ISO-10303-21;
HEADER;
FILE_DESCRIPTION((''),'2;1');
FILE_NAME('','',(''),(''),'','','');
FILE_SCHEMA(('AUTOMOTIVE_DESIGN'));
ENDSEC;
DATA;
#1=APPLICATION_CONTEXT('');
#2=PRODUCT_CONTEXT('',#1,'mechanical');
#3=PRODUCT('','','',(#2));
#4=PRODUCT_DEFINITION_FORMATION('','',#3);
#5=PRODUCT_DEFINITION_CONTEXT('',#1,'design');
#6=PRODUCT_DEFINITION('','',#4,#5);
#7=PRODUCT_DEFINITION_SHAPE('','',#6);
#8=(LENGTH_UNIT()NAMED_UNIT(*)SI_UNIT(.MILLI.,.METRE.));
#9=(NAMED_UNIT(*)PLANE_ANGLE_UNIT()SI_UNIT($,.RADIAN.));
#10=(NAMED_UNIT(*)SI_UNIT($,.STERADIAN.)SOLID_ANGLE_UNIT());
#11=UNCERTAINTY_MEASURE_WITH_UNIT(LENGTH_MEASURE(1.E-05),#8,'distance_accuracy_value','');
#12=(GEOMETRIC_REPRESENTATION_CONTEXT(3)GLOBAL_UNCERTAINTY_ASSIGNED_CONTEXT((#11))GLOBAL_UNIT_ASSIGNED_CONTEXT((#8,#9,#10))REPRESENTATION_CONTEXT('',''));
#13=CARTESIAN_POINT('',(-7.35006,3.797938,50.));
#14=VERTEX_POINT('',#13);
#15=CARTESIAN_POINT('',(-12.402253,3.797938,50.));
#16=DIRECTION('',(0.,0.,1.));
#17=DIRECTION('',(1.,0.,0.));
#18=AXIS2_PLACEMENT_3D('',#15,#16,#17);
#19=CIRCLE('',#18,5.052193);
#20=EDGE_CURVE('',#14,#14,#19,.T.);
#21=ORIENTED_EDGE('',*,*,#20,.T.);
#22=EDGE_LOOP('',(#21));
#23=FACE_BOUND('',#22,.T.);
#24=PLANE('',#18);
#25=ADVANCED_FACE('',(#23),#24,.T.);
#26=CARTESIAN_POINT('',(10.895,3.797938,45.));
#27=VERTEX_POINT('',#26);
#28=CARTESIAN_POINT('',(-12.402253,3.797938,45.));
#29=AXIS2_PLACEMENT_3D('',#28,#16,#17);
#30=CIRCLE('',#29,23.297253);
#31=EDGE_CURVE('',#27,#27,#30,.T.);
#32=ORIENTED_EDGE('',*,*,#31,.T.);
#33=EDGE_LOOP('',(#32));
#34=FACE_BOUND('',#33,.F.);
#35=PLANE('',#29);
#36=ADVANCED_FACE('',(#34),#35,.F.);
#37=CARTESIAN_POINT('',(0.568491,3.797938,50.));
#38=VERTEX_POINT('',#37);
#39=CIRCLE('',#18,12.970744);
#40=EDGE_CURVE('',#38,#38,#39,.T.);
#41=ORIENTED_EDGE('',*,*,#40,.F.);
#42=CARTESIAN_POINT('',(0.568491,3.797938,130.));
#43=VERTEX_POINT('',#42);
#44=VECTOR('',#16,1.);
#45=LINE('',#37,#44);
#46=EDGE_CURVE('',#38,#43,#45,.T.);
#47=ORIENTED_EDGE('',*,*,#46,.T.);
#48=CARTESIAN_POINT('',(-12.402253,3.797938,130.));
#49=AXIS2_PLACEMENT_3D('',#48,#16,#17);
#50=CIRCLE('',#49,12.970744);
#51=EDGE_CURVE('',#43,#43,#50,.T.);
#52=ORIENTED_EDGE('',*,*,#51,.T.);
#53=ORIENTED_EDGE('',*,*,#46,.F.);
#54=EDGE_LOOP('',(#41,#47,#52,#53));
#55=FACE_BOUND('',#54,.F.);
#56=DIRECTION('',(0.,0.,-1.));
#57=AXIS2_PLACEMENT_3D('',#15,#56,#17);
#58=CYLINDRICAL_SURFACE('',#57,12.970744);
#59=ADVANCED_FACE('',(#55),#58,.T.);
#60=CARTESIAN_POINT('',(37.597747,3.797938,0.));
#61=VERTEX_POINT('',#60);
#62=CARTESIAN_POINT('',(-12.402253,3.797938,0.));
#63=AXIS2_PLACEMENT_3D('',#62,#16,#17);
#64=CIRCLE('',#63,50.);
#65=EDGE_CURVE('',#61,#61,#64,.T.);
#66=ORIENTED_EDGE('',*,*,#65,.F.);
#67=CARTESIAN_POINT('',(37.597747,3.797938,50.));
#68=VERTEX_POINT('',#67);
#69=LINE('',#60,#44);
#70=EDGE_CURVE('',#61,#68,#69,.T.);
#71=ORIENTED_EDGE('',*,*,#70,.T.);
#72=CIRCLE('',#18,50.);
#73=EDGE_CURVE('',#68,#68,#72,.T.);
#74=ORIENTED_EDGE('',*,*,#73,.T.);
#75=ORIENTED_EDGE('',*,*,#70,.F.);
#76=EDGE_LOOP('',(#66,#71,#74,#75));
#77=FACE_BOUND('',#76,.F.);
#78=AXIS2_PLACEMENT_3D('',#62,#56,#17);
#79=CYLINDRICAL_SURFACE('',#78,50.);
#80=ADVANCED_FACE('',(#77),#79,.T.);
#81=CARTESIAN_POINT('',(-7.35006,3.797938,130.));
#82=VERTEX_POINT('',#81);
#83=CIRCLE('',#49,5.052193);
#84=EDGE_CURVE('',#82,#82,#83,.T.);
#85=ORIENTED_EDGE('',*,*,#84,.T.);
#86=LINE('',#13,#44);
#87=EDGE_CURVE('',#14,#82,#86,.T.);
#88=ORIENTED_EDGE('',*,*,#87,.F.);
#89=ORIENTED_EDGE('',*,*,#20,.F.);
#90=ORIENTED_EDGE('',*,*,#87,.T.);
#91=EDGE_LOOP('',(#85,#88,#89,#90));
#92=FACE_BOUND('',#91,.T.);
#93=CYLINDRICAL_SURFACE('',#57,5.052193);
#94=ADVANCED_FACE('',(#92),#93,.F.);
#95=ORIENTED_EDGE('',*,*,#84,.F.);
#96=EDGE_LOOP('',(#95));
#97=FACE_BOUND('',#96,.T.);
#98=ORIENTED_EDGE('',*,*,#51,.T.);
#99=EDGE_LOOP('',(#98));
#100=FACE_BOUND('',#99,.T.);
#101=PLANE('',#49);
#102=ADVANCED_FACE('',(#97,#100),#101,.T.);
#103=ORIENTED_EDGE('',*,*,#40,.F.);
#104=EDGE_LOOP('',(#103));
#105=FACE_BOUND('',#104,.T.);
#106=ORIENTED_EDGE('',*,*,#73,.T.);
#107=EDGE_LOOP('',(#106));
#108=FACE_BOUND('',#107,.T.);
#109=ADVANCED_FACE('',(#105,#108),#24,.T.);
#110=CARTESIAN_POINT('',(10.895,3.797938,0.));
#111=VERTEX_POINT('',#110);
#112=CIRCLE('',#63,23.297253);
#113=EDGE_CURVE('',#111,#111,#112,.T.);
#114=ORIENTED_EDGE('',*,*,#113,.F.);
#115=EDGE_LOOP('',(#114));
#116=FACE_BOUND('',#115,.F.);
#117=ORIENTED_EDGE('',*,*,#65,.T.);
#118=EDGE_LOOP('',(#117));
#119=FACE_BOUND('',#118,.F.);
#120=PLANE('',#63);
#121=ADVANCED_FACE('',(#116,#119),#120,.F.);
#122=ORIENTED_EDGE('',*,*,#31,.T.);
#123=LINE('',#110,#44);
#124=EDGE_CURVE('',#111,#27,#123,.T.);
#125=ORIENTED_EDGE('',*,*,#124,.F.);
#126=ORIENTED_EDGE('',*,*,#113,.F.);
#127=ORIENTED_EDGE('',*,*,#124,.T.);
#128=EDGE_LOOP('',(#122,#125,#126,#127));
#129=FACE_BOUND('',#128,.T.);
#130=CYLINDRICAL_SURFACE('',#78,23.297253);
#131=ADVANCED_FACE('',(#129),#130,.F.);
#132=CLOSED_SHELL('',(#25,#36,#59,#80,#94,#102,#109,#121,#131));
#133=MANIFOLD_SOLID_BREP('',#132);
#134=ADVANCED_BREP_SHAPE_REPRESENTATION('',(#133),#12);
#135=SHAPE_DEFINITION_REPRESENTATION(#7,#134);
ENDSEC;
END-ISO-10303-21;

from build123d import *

# Parameters (mm, degrees)
F0_R     = 50
F0_R_2   = 23.297253
F1_DEPTH = 50
F2_R     = 23.297253
F3_DEPTH = 5
F4_R     = 12.970744
F4_R_2   = 5.052193
F5_DEPTH = 80


with BuildPart() as f1:
    # F0 (on Top) → F1 (new body)
    with BuildSketch(Plane.XY):
        with Locations((-12.402253, 3.797938)):
            Circle(F0_R)
        with Locations((-12.402253, 3.797938)):
            Circle(F0_R_2, mode=Mode.SUBTRACT)
    extrude(amount=F1_DEPTH)

    # F2 (on face) → F3 (join)
    with BuildSketch(Plane.XY.offset(50)):
        with Locations((-12.402253, 3.797938)):
            Circle(F2_R)
    extrude(amount=-F3_DEPTH)

    # F4 (on face) → F5 (join)
    with BuildSketch(Plane.XY.offset(50)):
        with Locations((-12.402253, 3.797938)):
            Circle(F4_R)
        with Locations((-12.402253, 3.797938)):
            Circle(F4_R_2, mode=Mode.SUBTRACT)
    extrude(amount=F5_DEPTH)


solid = f1.part
